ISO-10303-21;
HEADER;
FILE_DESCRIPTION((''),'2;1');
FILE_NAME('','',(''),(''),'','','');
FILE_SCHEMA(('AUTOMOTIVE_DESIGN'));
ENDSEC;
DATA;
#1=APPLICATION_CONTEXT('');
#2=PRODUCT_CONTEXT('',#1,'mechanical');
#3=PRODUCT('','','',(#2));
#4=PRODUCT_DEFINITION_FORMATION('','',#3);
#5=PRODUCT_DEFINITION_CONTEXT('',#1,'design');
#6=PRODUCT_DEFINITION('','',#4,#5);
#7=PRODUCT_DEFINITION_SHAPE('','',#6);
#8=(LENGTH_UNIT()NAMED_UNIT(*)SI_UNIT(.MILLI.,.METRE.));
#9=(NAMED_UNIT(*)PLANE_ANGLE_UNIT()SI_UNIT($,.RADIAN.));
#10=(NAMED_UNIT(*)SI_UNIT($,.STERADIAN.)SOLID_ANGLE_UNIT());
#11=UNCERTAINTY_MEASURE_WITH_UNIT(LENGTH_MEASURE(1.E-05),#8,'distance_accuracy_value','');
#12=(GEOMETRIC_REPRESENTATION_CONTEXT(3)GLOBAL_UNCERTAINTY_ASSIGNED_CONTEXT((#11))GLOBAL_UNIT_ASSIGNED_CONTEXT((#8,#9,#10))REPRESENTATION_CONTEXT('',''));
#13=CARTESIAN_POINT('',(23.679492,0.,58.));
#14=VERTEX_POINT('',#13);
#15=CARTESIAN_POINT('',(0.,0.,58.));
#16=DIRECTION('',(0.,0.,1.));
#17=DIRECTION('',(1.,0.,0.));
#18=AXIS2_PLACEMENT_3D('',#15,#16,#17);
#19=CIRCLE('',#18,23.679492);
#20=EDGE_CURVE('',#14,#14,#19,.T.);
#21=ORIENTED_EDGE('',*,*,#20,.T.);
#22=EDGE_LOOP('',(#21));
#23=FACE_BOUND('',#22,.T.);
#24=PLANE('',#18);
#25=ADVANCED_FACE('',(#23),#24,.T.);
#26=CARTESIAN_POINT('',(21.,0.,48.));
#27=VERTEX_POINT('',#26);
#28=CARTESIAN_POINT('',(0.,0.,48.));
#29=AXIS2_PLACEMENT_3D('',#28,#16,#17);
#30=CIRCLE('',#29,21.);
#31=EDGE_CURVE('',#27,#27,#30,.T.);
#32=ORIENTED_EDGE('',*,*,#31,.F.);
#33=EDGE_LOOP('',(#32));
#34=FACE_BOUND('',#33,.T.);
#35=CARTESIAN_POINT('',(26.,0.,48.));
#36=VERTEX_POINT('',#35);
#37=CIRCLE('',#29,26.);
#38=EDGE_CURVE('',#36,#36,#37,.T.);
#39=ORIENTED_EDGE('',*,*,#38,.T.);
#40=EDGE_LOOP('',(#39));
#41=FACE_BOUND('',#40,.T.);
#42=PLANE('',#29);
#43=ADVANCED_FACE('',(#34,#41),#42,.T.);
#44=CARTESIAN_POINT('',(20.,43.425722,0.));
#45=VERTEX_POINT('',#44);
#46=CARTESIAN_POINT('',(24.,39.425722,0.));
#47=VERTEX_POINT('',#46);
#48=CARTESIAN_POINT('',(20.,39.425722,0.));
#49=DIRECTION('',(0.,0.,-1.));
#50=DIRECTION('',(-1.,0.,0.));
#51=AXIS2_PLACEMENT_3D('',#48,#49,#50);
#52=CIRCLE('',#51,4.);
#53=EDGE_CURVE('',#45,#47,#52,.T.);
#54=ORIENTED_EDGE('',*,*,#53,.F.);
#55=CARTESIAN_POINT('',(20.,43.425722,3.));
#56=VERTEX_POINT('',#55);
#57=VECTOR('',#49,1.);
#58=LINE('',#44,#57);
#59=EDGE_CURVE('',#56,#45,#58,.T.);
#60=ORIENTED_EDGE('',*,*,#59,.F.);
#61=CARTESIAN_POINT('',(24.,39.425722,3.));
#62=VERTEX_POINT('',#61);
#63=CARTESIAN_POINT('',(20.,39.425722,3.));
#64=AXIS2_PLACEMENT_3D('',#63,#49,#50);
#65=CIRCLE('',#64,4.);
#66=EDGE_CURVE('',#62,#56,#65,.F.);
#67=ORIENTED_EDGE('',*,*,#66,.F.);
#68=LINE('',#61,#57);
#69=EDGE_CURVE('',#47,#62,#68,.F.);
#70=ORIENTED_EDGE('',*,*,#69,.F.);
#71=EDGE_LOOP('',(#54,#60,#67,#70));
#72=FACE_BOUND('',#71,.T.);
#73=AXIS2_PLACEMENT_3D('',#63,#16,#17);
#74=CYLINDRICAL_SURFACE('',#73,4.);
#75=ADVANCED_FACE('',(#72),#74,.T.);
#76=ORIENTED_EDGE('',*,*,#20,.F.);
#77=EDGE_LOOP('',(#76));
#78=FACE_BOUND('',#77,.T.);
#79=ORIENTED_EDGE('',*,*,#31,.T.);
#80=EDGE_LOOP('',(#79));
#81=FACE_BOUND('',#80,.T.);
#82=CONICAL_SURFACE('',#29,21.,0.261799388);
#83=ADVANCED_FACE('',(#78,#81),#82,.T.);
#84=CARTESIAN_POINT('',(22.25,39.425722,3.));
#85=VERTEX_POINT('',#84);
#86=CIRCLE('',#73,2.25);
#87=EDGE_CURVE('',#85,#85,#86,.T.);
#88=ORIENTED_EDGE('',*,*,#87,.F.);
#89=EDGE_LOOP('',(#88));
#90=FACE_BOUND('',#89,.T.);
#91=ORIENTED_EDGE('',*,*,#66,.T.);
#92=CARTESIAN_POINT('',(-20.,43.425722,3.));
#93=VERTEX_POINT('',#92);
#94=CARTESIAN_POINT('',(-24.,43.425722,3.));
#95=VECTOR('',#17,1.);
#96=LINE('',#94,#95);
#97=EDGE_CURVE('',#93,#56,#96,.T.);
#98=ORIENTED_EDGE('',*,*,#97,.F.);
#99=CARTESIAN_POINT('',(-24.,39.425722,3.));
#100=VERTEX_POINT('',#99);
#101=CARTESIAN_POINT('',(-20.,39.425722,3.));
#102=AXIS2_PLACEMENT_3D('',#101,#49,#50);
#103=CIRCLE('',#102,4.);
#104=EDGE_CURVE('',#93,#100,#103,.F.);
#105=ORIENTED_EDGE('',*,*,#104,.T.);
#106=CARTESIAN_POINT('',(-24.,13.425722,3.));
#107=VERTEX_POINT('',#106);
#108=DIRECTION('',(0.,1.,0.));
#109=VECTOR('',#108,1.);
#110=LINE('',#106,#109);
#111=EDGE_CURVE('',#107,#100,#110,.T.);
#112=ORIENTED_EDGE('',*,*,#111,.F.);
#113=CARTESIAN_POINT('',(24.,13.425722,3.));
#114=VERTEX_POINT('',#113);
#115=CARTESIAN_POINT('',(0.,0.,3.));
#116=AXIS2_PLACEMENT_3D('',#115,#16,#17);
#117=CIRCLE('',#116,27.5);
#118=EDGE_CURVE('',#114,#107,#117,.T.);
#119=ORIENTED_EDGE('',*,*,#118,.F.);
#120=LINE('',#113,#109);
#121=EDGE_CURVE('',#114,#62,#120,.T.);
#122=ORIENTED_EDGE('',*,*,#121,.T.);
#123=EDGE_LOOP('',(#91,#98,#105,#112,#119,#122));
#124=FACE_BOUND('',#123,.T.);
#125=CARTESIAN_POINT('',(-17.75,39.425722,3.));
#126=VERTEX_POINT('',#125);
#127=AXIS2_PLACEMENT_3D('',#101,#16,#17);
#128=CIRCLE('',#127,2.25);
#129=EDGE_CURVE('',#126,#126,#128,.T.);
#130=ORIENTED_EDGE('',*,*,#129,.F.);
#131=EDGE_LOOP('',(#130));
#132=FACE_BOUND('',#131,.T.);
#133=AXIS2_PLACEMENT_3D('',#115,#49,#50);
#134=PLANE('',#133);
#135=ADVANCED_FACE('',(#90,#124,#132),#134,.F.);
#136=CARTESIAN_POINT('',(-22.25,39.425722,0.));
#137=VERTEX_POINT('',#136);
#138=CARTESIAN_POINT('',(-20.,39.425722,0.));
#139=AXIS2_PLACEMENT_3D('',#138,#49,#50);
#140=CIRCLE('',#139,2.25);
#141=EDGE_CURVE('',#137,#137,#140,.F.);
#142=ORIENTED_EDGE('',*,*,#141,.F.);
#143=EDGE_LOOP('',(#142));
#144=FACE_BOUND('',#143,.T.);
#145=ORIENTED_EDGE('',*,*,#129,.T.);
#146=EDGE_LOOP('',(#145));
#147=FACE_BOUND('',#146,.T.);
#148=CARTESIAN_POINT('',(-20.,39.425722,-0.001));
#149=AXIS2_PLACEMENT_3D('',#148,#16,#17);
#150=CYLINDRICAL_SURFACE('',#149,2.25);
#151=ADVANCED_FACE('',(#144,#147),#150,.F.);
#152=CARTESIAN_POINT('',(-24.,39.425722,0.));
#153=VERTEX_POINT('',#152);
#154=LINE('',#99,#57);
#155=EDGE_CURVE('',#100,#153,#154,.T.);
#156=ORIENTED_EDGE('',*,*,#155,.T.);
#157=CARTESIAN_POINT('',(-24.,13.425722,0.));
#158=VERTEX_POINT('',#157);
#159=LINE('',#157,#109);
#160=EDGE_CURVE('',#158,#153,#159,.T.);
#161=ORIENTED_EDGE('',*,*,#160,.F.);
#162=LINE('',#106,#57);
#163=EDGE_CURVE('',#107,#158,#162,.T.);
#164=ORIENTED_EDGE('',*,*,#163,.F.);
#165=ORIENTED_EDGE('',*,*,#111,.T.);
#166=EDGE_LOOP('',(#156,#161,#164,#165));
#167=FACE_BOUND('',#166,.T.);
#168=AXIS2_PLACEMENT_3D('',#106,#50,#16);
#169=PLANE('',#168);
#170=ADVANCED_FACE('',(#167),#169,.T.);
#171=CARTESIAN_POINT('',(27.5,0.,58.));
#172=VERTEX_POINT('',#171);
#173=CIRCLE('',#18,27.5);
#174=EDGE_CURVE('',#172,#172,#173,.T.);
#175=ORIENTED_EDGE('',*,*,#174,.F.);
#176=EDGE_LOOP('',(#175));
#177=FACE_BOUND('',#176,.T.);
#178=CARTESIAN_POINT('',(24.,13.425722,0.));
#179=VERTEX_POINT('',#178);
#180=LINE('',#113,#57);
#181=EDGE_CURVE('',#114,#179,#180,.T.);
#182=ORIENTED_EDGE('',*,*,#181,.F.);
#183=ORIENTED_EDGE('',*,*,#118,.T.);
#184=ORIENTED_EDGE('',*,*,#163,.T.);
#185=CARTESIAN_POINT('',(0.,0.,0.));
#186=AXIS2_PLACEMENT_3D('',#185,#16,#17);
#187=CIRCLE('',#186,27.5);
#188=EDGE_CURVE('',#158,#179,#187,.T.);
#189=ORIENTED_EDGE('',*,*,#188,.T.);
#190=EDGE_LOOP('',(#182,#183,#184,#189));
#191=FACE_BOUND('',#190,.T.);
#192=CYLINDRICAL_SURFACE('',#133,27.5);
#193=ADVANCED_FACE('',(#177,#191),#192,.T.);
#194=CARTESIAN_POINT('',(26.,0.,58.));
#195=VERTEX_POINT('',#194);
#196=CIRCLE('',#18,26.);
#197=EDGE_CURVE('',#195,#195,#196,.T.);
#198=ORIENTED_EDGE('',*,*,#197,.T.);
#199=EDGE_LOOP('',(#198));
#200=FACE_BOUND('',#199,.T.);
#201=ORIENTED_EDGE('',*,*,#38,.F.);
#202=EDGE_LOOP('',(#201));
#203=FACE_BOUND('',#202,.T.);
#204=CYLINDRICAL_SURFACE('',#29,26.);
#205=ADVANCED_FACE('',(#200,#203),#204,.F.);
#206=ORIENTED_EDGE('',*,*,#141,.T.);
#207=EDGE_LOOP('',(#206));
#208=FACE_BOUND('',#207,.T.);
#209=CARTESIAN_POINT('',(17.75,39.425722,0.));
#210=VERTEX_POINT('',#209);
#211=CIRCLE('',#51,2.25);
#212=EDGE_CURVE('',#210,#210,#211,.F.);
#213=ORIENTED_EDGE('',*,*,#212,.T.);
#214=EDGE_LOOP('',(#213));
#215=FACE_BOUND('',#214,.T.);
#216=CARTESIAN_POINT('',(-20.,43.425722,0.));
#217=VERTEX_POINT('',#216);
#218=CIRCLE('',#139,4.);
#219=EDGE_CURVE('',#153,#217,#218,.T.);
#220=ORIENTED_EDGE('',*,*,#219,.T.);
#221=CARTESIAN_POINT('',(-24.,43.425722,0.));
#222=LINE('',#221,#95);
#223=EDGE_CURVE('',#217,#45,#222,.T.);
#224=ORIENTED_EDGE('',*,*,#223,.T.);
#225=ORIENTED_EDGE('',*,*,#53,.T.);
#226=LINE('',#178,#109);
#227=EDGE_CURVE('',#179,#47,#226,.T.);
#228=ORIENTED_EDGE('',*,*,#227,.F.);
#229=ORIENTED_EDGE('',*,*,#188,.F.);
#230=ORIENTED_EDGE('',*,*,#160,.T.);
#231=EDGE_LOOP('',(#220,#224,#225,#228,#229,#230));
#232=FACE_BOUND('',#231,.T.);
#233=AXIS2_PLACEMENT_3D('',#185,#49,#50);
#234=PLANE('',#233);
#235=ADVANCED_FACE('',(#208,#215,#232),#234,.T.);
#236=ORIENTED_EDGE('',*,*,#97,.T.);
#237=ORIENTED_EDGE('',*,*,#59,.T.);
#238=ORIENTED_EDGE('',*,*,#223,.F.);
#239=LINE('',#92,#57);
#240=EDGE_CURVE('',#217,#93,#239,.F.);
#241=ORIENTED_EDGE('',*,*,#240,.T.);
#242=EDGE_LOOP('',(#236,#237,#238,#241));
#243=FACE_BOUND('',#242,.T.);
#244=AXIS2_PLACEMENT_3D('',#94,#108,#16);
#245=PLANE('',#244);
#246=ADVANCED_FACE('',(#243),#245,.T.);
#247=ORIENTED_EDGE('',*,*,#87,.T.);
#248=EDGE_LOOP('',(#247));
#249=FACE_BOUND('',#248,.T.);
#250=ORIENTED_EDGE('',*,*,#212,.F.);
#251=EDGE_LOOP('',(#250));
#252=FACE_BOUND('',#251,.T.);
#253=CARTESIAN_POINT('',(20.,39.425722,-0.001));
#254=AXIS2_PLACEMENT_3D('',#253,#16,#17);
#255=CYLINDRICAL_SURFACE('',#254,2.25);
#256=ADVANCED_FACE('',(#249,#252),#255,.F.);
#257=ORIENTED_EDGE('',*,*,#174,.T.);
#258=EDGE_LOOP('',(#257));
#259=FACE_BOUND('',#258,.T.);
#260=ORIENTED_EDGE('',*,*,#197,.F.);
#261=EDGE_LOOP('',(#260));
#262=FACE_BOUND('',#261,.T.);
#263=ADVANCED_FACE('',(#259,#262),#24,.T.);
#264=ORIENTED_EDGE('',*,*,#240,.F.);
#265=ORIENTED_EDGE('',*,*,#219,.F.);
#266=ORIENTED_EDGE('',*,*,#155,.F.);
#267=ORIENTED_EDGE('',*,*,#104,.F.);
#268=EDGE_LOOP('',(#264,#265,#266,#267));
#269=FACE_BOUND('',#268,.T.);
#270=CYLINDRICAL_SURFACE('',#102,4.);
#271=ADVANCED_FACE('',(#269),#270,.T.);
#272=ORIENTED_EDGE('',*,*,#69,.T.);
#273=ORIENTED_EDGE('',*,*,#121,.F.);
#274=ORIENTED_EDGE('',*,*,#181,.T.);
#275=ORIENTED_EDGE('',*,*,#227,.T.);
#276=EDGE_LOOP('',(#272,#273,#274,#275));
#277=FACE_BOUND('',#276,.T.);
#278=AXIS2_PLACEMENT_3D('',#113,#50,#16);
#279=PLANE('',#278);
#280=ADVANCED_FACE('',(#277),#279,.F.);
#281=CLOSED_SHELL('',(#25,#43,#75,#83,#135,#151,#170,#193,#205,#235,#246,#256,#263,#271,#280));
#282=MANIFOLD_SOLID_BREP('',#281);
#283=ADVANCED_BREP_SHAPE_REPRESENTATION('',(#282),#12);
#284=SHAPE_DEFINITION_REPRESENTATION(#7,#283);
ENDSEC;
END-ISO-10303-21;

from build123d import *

# Parameters (mm, degrees)
SZKIC1_R                    = 27.5
SZKIC1_W                    = 48
SZKIC1_H                    = 30
DODANIE_WYCI_GNI_CIE1_DEPTH = 3
SZKIC2_R                    = 27.5
DODANIE_WYCI_GNI_CIE2_DEPTH = 55
SZKIC3_R                    = 26
WYTNIJ_WYCI_GNI_CIE1_DEPTH  = 10
SZKIC4_R                    = 21
DODANIE_WYCI_GNI_CIE3_DEPTH = 10
DODANIE_WYCI_GNI_CIE3_TAPER = -15
WYTNIJ_WYCI_GNI_CIE2_REACH  = 5
SZKIC5_R                    = 2.25
ZAOKR_GLENIE1_R             = 4


with BuildPart() as part:
    # Szkic1 → Dodanie-wyciągnięcie1 (new body)
    with BuildSketch(Plane.XY):
        Circle(SZKIC1_R)
        with Locations((0, 28.425721582)):
            Rectangle(SZKIC1_W, SZKIC1_H)
    extrude(amount=DODANIE_WYCI_GNI_CIE1_DEPTH)

    # Szkic2 → Dodanie-wyciągnięcie2 (add)
    with BuildSketch(Plane.XY.offset(3)):
        Circle(SZKIC2_R)
    extrude(amount=DODANIE_WYCI_GNI_CIE2_DEPTH)

    # Szkic3 → Wytnij-wyciągnięcie1 (cut)
    with BuildSketch(Plane.XY.offset(58)):
        Circle(SZKIC3_R)
    extrude(amount=-WYTNIJ_WYCI_GNI_CIE1_DEPTH, mode=Mode.SUBTRACT)

    # Szkic4 → Dodanie-wyciągnięcie3 (add)
    with BuildSketch(Plane.XY.offset(48)):
        Circle(SZKIC4_R)
    extrude(amount=DODANIE_WYCI_GNI_CIE3_DEPTH, taper=DODANIE_WYCI_GNI_CIE3_TAPER)

    # Szkic5 → Wytnij-wyciągnięcie2 (cut, up to next)
    with BuildSketch(Plane.XY.offset(3), mode=Mode.PRIVATE) as wytnij_wyci_gni_cie2_sk1:
        with Locations((-20, 39.425721582)):
            Circle(SZKIC5_R)
    wytnij_wyci_gni_cie2_tool1 = extrude(wytnij_wyci_gni_cie2_sk1.sketch, amount=-WYTNIJ_WYCI_GNI_CIE2_REACH, mode=Mode.PRIVATE) & part.part
    add(wytnij_wyci_gni_cie2_tool1.solids().sort_by_distance((-20, 39.425722, 3))[0], mode=Mode.SUBTRACT)
    # Szkic5 → Wytnij-wyciągnięcie2 (cut, up to next)
    with BuildSketch(Plane.XY.offset(3), mode=Mode.PRIVATE) as wytnij_wyci_gni_cie2_sk2:
        with Locations((20, 39.425721582)):
            Circle(SZKIC5_R)
    wytnij_wyci_gni_cie2_tool2 = extrude(wytnij_wyci_gni_cie2_sk2.sketch, amount=-WYTNIJ_WYCI_GNI_CIE2_REACH, mode=Mode.PRIVATE) & part.part
    add(wytnij_wyci_gni_cie2_tool2.solids().sort_by_distance((20, 39.425722, 3))[0], mode=Mode.SUBTRACT)

    # Zaokrąglenie1
    zaokr_glenie1_edges = [part.edges().sort_by_distance(p)[0] for p in [
        (24, 43.425721582, 1.5),
        (-24, 43.425721582, 1.5),
    ]]
    fillet(zaokr_glenie1_edges, radius=ZAOKR_GLENIE1_R)


solid = part.part
